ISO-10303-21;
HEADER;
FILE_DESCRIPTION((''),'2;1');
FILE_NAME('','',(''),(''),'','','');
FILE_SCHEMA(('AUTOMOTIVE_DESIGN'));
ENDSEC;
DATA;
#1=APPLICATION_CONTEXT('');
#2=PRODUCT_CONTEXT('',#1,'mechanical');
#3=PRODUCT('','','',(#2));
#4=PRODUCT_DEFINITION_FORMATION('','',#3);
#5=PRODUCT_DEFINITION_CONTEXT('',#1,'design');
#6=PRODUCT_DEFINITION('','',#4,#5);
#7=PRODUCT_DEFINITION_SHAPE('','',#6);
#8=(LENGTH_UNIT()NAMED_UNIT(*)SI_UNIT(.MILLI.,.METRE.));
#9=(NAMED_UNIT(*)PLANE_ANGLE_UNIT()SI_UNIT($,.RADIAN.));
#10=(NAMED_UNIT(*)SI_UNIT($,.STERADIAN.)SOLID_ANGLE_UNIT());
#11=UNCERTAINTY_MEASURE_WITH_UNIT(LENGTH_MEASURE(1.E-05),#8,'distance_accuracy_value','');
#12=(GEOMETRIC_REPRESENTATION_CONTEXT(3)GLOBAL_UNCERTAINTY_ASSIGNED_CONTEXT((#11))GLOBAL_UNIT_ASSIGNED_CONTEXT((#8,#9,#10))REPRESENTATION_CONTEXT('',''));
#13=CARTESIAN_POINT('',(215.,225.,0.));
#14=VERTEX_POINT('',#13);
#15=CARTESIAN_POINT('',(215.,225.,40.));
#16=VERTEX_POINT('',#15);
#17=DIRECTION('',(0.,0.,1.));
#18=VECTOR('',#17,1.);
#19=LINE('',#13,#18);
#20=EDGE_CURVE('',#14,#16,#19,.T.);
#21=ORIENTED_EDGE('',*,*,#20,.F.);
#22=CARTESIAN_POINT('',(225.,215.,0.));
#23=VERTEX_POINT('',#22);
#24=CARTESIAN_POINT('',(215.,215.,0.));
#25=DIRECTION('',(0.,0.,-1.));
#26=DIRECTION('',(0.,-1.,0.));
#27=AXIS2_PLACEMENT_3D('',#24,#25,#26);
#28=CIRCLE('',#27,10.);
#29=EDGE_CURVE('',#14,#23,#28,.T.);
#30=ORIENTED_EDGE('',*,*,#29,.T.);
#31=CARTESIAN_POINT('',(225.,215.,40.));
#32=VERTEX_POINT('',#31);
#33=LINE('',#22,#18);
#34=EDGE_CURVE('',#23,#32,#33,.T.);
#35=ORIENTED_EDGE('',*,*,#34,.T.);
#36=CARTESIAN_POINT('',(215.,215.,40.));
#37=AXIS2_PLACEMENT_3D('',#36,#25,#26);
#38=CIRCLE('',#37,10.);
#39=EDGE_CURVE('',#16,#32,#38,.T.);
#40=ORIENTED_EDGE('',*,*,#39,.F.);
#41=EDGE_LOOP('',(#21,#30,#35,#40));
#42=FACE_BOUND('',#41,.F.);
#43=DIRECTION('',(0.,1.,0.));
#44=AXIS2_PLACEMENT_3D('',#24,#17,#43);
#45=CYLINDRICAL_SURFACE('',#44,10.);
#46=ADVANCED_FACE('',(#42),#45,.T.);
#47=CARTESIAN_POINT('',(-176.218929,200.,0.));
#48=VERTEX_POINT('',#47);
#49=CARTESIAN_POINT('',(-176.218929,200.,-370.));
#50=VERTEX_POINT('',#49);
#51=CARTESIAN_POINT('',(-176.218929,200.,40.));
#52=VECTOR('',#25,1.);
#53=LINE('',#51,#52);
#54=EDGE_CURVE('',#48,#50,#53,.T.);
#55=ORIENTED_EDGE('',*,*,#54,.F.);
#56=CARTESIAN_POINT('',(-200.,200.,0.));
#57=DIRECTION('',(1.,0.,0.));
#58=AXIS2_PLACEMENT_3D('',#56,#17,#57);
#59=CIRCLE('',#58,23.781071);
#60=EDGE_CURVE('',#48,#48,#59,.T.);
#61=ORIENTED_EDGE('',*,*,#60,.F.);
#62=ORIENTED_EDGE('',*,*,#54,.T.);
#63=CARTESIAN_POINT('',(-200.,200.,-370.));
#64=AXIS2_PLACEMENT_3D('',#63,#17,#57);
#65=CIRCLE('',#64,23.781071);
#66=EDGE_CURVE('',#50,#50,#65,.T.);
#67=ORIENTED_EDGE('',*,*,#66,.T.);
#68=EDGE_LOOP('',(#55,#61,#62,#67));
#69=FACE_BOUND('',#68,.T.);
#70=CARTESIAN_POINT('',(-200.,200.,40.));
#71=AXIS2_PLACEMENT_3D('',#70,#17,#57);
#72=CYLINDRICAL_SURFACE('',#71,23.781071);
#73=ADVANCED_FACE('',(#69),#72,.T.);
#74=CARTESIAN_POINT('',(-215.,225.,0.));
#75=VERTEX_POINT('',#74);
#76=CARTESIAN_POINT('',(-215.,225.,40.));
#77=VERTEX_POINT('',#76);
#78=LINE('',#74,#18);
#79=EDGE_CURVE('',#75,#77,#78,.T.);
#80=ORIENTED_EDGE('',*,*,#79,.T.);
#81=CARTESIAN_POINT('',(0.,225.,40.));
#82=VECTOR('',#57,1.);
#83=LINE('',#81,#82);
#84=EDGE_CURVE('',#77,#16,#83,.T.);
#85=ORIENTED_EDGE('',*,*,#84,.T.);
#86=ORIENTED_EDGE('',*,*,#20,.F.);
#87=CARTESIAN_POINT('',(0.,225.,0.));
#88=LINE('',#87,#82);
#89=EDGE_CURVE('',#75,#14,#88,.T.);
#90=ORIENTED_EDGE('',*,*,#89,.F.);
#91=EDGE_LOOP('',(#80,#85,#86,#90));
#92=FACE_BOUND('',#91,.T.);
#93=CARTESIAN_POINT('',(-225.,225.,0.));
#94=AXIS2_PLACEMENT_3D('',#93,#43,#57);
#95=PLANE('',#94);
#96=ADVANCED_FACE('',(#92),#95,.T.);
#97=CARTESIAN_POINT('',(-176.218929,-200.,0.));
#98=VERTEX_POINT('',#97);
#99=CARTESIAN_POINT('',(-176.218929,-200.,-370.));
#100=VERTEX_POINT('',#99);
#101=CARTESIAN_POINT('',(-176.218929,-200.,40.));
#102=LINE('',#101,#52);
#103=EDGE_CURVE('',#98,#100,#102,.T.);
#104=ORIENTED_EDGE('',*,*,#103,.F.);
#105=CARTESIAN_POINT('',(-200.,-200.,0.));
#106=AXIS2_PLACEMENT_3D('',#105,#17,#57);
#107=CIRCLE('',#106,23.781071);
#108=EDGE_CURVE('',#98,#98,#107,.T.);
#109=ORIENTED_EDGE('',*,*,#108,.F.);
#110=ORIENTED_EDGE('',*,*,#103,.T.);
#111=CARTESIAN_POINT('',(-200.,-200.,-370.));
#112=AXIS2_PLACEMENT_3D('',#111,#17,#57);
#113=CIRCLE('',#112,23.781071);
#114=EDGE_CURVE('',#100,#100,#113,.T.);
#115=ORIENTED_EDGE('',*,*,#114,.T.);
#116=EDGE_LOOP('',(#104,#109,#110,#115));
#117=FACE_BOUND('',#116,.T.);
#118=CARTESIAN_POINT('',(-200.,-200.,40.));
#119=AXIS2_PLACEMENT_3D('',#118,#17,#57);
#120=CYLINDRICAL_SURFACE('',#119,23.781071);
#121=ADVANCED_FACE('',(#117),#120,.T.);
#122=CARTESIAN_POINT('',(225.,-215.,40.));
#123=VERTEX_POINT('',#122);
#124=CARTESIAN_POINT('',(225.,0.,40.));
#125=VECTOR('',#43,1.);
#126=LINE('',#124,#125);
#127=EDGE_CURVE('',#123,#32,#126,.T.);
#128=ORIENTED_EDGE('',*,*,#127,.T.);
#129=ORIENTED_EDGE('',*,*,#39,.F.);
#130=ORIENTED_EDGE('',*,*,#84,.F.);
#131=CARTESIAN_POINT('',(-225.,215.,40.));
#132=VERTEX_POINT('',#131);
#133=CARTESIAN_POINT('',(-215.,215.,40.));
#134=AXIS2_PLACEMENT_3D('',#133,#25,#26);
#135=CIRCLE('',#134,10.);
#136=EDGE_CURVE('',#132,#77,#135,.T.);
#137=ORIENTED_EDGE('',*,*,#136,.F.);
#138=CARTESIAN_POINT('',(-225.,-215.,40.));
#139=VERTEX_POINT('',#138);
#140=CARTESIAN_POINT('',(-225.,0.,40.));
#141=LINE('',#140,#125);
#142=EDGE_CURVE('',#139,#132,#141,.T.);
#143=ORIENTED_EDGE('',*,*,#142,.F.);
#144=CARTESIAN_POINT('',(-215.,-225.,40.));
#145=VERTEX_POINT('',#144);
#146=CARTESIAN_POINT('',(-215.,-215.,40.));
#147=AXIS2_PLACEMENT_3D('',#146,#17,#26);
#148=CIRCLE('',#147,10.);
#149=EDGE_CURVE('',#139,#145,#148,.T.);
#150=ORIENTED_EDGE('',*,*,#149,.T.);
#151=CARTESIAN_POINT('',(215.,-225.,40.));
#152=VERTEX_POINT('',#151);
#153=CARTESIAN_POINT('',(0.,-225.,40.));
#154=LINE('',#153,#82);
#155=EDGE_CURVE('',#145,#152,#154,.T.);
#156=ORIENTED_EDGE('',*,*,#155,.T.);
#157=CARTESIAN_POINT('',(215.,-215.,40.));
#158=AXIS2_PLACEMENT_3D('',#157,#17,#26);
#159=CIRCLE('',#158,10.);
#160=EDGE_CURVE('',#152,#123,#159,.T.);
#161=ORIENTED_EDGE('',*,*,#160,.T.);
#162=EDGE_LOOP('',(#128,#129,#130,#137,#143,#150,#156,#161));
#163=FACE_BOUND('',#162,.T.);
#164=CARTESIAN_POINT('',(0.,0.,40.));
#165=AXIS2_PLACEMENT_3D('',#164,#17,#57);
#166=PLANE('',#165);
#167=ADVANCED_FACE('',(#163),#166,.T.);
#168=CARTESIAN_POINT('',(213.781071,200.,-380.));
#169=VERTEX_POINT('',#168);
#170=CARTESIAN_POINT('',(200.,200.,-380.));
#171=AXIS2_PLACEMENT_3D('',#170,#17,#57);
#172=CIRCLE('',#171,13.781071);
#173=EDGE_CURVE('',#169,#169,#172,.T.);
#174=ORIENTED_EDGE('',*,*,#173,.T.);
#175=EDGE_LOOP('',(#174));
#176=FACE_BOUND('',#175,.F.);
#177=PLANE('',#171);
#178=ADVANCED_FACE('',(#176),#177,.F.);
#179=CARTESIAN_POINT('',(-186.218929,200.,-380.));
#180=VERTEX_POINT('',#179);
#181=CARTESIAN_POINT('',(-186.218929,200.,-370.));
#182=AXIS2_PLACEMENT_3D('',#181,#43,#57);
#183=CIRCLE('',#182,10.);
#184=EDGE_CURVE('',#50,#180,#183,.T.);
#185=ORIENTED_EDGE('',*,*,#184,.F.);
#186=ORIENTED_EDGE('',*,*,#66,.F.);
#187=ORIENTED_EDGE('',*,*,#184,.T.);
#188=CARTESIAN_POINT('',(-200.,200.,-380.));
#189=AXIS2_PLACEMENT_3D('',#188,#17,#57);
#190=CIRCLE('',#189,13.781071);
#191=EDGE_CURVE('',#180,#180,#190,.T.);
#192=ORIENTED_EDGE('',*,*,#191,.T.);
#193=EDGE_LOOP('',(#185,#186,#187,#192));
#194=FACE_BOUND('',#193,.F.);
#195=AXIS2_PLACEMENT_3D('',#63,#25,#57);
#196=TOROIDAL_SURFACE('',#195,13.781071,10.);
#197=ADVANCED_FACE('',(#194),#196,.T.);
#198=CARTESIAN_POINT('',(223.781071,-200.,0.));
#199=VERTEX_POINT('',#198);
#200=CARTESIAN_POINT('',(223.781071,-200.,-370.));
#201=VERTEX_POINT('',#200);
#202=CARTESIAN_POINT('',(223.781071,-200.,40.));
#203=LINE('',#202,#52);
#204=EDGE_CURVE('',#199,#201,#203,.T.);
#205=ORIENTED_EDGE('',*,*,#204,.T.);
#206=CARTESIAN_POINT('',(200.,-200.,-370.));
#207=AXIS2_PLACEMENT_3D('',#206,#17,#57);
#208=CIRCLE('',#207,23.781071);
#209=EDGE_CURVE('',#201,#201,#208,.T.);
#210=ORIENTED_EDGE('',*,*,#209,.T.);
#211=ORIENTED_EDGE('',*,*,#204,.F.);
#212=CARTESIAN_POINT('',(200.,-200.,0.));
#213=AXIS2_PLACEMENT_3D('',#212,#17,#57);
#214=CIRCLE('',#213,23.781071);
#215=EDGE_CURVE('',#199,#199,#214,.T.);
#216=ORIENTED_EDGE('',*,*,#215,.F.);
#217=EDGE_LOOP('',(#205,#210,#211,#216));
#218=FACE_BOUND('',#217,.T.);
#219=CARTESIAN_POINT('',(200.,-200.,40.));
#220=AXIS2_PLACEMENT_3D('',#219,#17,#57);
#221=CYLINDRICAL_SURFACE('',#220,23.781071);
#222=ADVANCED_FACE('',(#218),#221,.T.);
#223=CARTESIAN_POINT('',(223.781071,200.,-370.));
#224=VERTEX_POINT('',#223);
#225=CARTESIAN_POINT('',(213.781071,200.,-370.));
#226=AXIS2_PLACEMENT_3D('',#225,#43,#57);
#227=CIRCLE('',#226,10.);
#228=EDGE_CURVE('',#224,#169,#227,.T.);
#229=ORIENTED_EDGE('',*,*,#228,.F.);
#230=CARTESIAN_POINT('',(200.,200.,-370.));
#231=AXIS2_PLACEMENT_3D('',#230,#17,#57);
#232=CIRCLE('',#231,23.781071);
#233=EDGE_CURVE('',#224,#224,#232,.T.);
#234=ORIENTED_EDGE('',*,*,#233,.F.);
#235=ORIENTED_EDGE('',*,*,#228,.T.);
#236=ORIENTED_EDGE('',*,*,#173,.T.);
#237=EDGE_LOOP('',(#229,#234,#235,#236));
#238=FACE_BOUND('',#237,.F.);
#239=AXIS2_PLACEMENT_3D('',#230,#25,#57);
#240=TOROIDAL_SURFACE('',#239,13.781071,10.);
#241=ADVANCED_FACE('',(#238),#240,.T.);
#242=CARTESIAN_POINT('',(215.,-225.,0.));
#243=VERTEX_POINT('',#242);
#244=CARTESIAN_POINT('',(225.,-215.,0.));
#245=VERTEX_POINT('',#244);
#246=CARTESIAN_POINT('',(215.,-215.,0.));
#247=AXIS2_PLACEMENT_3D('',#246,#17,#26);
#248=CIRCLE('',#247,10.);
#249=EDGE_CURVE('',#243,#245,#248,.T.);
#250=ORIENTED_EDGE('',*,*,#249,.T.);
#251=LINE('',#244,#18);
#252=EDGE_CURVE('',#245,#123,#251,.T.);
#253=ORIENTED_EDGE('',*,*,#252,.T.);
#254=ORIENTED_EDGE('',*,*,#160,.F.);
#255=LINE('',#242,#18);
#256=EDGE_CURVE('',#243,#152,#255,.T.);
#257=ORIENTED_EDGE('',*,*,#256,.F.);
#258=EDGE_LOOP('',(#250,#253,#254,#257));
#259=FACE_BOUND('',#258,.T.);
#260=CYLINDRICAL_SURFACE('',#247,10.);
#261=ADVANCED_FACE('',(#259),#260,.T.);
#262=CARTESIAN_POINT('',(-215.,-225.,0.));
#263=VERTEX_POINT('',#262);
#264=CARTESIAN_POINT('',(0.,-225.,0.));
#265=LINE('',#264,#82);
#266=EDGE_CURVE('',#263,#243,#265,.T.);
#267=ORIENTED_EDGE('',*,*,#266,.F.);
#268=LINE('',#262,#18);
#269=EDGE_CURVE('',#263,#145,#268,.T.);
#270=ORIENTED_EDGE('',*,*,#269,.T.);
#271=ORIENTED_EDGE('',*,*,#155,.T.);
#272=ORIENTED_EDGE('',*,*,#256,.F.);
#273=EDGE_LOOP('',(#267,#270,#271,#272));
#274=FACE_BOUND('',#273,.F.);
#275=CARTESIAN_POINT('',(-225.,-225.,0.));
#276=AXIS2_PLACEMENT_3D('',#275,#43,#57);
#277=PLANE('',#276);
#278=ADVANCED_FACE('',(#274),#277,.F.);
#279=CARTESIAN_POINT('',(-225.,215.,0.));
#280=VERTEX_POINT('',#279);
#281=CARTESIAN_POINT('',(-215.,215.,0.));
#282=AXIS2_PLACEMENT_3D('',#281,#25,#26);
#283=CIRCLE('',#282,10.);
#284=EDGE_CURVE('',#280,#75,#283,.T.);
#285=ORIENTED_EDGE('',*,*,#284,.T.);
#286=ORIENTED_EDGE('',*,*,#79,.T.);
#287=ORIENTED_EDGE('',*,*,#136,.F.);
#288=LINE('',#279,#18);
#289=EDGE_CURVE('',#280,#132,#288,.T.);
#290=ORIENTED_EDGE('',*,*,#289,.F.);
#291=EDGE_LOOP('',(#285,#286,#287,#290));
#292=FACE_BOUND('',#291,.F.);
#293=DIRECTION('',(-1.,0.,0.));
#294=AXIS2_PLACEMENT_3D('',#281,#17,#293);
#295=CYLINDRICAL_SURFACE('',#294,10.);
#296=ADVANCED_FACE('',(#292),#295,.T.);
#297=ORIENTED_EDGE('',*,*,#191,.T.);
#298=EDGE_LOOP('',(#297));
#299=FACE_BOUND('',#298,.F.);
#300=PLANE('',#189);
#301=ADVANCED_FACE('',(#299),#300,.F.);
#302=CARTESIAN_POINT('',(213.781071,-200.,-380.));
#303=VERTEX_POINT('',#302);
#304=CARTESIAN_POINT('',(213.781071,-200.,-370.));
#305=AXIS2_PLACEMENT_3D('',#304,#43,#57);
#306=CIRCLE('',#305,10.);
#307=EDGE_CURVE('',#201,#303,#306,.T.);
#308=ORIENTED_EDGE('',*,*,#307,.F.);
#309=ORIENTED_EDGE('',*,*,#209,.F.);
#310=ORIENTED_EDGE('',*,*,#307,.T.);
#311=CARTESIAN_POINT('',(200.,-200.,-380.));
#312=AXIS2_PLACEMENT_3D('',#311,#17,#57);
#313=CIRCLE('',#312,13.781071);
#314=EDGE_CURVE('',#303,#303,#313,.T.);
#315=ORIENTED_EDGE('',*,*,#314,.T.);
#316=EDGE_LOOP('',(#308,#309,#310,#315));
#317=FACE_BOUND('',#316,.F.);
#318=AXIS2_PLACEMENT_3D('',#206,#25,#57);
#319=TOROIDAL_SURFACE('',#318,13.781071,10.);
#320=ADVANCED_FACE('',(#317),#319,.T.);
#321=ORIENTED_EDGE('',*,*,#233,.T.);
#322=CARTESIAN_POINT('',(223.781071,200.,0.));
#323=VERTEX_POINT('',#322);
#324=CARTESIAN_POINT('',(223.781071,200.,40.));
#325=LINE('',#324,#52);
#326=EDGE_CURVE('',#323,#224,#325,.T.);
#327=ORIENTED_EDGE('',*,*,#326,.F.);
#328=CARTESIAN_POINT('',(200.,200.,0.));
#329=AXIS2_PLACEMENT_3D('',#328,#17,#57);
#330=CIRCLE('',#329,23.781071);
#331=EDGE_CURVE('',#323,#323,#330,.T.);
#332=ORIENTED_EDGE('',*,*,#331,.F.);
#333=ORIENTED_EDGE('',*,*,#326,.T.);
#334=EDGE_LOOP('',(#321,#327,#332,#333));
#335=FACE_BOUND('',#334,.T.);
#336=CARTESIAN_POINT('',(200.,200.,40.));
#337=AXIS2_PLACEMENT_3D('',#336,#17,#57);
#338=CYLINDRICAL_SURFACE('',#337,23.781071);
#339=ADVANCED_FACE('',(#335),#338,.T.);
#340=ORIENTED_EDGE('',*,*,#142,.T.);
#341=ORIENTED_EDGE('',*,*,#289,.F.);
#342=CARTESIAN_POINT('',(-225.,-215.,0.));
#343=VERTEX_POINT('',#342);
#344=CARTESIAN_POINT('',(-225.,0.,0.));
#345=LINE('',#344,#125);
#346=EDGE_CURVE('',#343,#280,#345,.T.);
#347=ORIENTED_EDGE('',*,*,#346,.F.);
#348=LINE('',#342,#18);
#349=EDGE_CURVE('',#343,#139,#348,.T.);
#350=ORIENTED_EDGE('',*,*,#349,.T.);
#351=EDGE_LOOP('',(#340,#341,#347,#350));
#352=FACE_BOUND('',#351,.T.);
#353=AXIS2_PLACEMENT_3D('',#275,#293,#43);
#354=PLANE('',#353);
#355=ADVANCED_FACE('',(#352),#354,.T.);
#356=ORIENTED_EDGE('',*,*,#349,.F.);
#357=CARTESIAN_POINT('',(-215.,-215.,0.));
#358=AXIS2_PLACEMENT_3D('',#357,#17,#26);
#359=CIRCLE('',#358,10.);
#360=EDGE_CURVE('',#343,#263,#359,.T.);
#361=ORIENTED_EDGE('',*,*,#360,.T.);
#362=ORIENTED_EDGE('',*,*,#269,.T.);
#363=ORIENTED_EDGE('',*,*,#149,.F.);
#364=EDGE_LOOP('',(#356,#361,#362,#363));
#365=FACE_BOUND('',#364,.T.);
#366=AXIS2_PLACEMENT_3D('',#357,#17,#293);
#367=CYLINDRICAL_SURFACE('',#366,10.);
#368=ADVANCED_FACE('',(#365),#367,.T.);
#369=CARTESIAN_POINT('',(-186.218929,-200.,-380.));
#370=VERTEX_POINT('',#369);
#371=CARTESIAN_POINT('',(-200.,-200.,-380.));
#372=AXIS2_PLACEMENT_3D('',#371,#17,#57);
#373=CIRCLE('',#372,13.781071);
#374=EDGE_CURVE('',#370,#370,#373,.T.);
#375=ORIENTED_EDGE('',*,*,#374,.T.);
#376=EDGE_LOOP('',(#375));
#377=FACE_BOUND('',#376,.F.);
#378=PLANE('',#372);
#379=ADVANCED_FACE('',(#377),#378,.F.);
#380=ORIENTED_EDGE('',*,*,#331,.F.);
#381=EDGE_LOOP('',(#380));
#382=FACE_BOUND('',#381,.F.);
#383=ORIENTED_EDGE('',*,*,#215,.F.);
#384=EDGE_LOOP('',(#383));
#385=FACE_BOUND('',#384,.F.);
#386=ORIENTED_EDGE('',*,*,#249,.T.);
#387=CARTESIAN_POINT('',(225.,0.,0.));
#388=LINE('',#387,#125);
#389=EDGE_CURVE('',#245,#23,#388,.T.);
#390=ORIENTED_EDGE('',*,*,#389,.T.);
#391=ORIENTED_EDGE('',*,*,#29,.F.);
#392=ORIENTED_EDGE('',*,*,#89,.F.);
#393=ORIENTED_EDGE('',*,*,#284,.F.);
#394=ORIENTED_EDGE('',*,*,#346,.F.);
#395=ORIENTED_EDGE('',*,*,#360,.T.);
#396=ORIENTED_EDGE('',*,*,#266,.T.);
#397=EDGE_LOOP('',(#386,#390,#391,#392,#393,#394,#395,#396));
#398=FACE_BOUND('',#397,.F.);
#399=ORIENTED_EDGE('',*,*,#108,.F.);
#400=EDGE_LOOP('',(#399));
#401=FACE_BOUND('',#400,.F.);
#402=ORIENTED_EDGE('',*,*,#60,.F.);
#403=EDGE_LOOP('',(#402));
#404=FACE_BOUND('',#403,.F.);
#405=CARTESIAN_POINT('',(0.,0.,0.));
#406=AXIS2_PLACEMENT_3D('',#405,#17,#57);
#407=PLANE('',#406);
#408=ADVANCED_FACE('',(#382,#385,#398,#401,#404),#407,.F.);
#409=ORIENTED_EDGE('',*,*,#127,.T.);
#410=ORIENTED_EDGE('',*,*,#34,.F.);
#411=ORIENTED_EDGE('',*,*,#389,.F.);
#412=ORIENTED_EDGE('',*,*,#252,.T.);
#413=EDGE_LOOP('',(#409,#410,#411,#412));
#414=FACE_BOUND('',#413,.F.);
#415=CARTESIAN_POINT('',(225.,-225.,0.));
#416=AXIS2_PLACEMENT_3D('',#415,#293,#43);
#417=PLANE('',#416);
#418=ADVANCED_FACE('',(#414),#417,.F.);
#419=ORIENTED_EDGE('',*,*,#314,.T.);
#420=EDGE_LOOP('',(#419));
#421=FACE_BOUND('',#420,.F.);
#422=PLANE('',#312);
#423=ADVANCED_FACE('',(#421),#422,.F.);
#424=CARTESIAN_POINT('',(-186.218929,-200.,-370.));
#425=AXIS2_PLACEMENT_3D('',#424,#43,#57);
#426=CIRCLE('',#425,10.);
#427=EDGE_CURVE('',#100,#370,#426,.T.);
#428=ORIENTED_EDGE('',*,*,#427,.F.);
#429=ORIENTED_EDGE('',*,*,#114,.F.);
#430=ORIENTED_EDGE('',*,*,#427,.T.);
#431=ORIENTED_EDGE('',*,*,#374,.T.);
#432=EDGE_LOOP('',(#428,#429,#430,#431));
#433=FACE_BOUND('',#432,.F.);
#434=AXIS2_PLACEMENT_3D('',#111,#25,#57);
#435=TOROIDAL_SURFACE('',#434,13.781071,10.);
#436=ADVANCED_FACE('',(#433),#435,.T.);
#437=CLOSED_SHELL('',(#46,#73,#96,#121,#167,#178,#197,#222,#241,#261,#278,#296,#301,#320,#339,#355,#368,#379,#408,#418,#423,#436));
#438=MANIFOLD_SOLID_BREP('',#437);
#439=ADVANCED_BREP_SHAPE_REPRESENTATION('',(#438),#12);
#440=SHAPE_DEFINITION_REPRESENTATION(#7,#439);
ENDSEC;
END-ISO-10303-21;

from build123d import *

# Parameters (mm, degrees)
F0_W     = 450
F0_H     = 450
F0_R     = 23.781071
F1_DEPTH = 40
F2_R     = 23.781071
F3_DEPTH = 420
F4_R     = 10
F5_R     = 10


with BuildPart() as f1:
    # F0 (on Top) → F1 (new body)
    with BuildSketch(Plane.XY):
        Rectangle(F0_W, F0_H)
        with Locations((-200, -200)):
            Circle(F0_R, mode=Mode.SUBTRACT)
        with Locations((200, -200)):
            Circle(F0_R, mode=Mode.SUBTRACT)
        with Locations((-200, 200)):
            Circle(F0_R, mode=Mode.SUBTRACT)
        with Locations((200, 200)):
            Circle(F0_R, mode=Mode.SUBTRACT)
    extrude(amount=F1_DEPTH)

    # F2 (on face) → F3 (join)
    with BuildSketch(Plane.XY.offset(40)):
        with Locations((-200, -200)):
            Circle(F2_R)
        with Locations((-200, 200)):
            Circle(F2_R)
        with Locations((200, 200)):
            Circle(F2_R)
        with Locations((200, -200)):
            Circle(F2_R)
    extrude(amount=-F3_DEPTH)

    # F4
    f4_edges = [f1.edges().sort_by_distance(p)[0] for p in [
        (-223.781071, -200, -380),
        (176.218929, -200, -380),
        (176.218929, 200, -380),
        (-223.781071, 200, -380),
    ]]
    fillet(f4_edges, radius=F4_R)

    # F5
    f5_edges = [f1.edges().sort_by_distance(p)[0] for p in [
        (225, -225, 20),
        (225, 225, 20),
        (-225, -225, 20),
        (-225, 225, 20),
    ]]
    fillet(f5_edges, radius=F5_R)


solid = f1.part
